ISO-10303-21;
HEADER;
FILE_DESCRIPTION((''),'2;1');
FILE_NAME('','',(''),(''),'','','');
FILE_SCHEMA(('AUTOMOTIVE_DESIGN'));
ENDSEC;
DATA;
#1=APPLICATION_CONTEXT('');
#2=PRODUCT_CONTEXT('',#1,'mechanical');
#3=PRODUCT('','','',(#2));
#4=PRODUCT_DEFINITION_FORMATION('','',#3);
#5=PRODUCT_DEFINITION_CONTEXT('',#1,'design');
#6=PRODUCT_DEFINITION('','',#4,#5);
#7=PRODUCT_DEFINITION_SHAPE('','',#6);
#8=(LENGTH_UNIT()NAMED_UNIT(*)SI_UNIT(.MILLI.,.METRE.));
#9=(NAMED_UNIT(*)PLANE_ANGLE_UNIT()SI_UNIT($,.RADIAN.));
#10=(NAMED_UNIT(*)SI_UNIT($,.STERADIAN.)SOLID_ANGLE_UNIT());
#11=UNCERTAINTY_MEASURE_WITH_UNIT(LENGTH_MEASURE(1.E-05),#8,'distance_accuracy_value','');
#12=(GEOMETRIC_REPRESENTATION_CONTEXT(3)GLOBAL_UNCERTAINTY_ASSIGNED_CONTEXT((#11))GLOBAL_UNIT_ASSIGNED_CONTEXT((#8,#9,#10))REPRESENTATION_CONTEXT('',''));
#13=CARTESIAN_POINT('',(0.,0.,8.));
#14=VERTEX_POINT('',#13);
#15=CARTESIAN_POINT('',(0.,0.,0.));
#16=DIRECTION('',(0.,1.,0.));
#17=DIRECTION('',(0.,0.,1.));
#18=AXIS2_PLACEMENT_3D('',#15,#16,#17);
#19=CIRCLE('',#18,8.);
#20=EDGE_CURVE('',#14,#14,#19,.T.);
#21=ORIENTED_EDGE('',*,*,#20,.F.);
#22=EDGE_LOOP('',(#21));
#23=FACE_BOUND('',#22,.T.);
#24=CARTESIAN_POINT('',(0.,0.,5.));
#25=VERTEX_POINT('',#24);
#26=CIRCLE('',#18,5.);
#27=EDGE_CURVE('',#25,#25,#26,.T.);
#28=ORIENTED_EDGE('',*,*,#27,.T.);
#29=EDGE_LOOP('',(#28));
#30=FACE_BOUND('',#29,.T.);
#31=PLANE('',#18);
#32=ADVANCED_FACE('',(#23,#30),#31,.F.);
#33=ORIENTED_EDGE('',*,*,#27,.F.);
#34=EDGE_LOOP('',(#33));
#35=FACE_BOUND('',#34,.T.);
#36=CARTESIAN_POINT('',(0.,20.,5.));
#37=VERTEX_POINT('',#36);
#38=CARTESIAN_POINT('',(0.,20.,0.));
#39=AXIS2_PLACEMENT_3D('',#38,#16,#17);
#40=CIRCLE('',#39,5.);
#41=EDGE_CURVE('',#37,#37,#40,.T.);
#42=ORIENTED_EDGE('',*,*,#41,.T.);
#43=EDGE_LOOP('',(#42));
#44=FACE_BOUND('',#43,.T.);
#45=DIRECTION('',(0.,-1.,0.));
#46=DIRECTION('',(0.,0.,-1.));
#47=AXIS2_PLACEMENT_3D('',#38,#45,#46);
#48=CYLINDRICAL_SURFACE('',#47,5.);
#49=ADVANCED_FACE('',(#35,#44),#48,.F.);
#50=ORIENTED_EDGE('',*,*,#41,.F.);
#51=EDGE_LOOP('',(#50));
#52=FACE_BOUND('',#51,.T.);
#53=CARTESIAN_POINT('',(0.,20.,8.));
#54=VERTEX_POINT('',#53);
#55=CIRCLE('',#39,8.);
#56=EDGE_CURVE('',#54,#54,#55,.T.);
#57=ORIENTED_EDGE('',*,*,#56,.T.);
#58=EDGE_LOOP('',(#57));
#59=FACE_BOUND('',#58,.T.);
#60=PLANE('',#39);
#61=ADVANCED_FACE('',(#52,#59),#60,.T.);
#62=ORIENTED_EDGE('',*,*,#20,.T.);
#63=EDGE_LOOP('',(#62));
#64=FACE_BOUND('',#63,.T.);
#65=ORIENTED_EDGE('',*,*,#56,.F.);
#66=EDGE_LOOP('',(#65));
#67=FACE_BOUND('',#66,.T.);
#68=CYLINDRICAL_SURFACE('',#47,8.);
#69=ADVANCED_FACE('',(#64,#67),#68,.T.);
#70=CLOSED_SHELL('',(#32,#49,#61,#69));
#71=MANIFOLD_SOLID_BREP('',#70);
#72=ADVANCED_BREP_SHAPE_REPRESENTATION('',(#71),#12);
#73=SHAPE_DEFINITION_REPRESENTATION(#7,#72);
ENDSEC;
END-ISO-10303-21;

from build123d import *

# Parameters (mm, degrees)
SKETCH1_R           = 8
SKETCH1_R_2         = 5
BOSS_EXTRUDE1_DEPTH = 20


with BuildPart() as part:
    # Sketch1 → Boss-Extrude1 (new body)
    with BuildSketch(Plane(origin=(0, 0, 0), x_dir=(1, 0, 0), z_dir=(0, 1, 0))):
        with Locations(Location((0, 0, 0), (0, 0, 270))):
            Circle(SKETCH1_R)
        with Locations(Location((0, 0, 0), (0, 0, 270))):
            Circle(SKETCH1_R_2, mode=Mode.SUBTRACT)
    extrude(amount=BOSS_EXTRUDE1_DEPTH)


solid = part.part
